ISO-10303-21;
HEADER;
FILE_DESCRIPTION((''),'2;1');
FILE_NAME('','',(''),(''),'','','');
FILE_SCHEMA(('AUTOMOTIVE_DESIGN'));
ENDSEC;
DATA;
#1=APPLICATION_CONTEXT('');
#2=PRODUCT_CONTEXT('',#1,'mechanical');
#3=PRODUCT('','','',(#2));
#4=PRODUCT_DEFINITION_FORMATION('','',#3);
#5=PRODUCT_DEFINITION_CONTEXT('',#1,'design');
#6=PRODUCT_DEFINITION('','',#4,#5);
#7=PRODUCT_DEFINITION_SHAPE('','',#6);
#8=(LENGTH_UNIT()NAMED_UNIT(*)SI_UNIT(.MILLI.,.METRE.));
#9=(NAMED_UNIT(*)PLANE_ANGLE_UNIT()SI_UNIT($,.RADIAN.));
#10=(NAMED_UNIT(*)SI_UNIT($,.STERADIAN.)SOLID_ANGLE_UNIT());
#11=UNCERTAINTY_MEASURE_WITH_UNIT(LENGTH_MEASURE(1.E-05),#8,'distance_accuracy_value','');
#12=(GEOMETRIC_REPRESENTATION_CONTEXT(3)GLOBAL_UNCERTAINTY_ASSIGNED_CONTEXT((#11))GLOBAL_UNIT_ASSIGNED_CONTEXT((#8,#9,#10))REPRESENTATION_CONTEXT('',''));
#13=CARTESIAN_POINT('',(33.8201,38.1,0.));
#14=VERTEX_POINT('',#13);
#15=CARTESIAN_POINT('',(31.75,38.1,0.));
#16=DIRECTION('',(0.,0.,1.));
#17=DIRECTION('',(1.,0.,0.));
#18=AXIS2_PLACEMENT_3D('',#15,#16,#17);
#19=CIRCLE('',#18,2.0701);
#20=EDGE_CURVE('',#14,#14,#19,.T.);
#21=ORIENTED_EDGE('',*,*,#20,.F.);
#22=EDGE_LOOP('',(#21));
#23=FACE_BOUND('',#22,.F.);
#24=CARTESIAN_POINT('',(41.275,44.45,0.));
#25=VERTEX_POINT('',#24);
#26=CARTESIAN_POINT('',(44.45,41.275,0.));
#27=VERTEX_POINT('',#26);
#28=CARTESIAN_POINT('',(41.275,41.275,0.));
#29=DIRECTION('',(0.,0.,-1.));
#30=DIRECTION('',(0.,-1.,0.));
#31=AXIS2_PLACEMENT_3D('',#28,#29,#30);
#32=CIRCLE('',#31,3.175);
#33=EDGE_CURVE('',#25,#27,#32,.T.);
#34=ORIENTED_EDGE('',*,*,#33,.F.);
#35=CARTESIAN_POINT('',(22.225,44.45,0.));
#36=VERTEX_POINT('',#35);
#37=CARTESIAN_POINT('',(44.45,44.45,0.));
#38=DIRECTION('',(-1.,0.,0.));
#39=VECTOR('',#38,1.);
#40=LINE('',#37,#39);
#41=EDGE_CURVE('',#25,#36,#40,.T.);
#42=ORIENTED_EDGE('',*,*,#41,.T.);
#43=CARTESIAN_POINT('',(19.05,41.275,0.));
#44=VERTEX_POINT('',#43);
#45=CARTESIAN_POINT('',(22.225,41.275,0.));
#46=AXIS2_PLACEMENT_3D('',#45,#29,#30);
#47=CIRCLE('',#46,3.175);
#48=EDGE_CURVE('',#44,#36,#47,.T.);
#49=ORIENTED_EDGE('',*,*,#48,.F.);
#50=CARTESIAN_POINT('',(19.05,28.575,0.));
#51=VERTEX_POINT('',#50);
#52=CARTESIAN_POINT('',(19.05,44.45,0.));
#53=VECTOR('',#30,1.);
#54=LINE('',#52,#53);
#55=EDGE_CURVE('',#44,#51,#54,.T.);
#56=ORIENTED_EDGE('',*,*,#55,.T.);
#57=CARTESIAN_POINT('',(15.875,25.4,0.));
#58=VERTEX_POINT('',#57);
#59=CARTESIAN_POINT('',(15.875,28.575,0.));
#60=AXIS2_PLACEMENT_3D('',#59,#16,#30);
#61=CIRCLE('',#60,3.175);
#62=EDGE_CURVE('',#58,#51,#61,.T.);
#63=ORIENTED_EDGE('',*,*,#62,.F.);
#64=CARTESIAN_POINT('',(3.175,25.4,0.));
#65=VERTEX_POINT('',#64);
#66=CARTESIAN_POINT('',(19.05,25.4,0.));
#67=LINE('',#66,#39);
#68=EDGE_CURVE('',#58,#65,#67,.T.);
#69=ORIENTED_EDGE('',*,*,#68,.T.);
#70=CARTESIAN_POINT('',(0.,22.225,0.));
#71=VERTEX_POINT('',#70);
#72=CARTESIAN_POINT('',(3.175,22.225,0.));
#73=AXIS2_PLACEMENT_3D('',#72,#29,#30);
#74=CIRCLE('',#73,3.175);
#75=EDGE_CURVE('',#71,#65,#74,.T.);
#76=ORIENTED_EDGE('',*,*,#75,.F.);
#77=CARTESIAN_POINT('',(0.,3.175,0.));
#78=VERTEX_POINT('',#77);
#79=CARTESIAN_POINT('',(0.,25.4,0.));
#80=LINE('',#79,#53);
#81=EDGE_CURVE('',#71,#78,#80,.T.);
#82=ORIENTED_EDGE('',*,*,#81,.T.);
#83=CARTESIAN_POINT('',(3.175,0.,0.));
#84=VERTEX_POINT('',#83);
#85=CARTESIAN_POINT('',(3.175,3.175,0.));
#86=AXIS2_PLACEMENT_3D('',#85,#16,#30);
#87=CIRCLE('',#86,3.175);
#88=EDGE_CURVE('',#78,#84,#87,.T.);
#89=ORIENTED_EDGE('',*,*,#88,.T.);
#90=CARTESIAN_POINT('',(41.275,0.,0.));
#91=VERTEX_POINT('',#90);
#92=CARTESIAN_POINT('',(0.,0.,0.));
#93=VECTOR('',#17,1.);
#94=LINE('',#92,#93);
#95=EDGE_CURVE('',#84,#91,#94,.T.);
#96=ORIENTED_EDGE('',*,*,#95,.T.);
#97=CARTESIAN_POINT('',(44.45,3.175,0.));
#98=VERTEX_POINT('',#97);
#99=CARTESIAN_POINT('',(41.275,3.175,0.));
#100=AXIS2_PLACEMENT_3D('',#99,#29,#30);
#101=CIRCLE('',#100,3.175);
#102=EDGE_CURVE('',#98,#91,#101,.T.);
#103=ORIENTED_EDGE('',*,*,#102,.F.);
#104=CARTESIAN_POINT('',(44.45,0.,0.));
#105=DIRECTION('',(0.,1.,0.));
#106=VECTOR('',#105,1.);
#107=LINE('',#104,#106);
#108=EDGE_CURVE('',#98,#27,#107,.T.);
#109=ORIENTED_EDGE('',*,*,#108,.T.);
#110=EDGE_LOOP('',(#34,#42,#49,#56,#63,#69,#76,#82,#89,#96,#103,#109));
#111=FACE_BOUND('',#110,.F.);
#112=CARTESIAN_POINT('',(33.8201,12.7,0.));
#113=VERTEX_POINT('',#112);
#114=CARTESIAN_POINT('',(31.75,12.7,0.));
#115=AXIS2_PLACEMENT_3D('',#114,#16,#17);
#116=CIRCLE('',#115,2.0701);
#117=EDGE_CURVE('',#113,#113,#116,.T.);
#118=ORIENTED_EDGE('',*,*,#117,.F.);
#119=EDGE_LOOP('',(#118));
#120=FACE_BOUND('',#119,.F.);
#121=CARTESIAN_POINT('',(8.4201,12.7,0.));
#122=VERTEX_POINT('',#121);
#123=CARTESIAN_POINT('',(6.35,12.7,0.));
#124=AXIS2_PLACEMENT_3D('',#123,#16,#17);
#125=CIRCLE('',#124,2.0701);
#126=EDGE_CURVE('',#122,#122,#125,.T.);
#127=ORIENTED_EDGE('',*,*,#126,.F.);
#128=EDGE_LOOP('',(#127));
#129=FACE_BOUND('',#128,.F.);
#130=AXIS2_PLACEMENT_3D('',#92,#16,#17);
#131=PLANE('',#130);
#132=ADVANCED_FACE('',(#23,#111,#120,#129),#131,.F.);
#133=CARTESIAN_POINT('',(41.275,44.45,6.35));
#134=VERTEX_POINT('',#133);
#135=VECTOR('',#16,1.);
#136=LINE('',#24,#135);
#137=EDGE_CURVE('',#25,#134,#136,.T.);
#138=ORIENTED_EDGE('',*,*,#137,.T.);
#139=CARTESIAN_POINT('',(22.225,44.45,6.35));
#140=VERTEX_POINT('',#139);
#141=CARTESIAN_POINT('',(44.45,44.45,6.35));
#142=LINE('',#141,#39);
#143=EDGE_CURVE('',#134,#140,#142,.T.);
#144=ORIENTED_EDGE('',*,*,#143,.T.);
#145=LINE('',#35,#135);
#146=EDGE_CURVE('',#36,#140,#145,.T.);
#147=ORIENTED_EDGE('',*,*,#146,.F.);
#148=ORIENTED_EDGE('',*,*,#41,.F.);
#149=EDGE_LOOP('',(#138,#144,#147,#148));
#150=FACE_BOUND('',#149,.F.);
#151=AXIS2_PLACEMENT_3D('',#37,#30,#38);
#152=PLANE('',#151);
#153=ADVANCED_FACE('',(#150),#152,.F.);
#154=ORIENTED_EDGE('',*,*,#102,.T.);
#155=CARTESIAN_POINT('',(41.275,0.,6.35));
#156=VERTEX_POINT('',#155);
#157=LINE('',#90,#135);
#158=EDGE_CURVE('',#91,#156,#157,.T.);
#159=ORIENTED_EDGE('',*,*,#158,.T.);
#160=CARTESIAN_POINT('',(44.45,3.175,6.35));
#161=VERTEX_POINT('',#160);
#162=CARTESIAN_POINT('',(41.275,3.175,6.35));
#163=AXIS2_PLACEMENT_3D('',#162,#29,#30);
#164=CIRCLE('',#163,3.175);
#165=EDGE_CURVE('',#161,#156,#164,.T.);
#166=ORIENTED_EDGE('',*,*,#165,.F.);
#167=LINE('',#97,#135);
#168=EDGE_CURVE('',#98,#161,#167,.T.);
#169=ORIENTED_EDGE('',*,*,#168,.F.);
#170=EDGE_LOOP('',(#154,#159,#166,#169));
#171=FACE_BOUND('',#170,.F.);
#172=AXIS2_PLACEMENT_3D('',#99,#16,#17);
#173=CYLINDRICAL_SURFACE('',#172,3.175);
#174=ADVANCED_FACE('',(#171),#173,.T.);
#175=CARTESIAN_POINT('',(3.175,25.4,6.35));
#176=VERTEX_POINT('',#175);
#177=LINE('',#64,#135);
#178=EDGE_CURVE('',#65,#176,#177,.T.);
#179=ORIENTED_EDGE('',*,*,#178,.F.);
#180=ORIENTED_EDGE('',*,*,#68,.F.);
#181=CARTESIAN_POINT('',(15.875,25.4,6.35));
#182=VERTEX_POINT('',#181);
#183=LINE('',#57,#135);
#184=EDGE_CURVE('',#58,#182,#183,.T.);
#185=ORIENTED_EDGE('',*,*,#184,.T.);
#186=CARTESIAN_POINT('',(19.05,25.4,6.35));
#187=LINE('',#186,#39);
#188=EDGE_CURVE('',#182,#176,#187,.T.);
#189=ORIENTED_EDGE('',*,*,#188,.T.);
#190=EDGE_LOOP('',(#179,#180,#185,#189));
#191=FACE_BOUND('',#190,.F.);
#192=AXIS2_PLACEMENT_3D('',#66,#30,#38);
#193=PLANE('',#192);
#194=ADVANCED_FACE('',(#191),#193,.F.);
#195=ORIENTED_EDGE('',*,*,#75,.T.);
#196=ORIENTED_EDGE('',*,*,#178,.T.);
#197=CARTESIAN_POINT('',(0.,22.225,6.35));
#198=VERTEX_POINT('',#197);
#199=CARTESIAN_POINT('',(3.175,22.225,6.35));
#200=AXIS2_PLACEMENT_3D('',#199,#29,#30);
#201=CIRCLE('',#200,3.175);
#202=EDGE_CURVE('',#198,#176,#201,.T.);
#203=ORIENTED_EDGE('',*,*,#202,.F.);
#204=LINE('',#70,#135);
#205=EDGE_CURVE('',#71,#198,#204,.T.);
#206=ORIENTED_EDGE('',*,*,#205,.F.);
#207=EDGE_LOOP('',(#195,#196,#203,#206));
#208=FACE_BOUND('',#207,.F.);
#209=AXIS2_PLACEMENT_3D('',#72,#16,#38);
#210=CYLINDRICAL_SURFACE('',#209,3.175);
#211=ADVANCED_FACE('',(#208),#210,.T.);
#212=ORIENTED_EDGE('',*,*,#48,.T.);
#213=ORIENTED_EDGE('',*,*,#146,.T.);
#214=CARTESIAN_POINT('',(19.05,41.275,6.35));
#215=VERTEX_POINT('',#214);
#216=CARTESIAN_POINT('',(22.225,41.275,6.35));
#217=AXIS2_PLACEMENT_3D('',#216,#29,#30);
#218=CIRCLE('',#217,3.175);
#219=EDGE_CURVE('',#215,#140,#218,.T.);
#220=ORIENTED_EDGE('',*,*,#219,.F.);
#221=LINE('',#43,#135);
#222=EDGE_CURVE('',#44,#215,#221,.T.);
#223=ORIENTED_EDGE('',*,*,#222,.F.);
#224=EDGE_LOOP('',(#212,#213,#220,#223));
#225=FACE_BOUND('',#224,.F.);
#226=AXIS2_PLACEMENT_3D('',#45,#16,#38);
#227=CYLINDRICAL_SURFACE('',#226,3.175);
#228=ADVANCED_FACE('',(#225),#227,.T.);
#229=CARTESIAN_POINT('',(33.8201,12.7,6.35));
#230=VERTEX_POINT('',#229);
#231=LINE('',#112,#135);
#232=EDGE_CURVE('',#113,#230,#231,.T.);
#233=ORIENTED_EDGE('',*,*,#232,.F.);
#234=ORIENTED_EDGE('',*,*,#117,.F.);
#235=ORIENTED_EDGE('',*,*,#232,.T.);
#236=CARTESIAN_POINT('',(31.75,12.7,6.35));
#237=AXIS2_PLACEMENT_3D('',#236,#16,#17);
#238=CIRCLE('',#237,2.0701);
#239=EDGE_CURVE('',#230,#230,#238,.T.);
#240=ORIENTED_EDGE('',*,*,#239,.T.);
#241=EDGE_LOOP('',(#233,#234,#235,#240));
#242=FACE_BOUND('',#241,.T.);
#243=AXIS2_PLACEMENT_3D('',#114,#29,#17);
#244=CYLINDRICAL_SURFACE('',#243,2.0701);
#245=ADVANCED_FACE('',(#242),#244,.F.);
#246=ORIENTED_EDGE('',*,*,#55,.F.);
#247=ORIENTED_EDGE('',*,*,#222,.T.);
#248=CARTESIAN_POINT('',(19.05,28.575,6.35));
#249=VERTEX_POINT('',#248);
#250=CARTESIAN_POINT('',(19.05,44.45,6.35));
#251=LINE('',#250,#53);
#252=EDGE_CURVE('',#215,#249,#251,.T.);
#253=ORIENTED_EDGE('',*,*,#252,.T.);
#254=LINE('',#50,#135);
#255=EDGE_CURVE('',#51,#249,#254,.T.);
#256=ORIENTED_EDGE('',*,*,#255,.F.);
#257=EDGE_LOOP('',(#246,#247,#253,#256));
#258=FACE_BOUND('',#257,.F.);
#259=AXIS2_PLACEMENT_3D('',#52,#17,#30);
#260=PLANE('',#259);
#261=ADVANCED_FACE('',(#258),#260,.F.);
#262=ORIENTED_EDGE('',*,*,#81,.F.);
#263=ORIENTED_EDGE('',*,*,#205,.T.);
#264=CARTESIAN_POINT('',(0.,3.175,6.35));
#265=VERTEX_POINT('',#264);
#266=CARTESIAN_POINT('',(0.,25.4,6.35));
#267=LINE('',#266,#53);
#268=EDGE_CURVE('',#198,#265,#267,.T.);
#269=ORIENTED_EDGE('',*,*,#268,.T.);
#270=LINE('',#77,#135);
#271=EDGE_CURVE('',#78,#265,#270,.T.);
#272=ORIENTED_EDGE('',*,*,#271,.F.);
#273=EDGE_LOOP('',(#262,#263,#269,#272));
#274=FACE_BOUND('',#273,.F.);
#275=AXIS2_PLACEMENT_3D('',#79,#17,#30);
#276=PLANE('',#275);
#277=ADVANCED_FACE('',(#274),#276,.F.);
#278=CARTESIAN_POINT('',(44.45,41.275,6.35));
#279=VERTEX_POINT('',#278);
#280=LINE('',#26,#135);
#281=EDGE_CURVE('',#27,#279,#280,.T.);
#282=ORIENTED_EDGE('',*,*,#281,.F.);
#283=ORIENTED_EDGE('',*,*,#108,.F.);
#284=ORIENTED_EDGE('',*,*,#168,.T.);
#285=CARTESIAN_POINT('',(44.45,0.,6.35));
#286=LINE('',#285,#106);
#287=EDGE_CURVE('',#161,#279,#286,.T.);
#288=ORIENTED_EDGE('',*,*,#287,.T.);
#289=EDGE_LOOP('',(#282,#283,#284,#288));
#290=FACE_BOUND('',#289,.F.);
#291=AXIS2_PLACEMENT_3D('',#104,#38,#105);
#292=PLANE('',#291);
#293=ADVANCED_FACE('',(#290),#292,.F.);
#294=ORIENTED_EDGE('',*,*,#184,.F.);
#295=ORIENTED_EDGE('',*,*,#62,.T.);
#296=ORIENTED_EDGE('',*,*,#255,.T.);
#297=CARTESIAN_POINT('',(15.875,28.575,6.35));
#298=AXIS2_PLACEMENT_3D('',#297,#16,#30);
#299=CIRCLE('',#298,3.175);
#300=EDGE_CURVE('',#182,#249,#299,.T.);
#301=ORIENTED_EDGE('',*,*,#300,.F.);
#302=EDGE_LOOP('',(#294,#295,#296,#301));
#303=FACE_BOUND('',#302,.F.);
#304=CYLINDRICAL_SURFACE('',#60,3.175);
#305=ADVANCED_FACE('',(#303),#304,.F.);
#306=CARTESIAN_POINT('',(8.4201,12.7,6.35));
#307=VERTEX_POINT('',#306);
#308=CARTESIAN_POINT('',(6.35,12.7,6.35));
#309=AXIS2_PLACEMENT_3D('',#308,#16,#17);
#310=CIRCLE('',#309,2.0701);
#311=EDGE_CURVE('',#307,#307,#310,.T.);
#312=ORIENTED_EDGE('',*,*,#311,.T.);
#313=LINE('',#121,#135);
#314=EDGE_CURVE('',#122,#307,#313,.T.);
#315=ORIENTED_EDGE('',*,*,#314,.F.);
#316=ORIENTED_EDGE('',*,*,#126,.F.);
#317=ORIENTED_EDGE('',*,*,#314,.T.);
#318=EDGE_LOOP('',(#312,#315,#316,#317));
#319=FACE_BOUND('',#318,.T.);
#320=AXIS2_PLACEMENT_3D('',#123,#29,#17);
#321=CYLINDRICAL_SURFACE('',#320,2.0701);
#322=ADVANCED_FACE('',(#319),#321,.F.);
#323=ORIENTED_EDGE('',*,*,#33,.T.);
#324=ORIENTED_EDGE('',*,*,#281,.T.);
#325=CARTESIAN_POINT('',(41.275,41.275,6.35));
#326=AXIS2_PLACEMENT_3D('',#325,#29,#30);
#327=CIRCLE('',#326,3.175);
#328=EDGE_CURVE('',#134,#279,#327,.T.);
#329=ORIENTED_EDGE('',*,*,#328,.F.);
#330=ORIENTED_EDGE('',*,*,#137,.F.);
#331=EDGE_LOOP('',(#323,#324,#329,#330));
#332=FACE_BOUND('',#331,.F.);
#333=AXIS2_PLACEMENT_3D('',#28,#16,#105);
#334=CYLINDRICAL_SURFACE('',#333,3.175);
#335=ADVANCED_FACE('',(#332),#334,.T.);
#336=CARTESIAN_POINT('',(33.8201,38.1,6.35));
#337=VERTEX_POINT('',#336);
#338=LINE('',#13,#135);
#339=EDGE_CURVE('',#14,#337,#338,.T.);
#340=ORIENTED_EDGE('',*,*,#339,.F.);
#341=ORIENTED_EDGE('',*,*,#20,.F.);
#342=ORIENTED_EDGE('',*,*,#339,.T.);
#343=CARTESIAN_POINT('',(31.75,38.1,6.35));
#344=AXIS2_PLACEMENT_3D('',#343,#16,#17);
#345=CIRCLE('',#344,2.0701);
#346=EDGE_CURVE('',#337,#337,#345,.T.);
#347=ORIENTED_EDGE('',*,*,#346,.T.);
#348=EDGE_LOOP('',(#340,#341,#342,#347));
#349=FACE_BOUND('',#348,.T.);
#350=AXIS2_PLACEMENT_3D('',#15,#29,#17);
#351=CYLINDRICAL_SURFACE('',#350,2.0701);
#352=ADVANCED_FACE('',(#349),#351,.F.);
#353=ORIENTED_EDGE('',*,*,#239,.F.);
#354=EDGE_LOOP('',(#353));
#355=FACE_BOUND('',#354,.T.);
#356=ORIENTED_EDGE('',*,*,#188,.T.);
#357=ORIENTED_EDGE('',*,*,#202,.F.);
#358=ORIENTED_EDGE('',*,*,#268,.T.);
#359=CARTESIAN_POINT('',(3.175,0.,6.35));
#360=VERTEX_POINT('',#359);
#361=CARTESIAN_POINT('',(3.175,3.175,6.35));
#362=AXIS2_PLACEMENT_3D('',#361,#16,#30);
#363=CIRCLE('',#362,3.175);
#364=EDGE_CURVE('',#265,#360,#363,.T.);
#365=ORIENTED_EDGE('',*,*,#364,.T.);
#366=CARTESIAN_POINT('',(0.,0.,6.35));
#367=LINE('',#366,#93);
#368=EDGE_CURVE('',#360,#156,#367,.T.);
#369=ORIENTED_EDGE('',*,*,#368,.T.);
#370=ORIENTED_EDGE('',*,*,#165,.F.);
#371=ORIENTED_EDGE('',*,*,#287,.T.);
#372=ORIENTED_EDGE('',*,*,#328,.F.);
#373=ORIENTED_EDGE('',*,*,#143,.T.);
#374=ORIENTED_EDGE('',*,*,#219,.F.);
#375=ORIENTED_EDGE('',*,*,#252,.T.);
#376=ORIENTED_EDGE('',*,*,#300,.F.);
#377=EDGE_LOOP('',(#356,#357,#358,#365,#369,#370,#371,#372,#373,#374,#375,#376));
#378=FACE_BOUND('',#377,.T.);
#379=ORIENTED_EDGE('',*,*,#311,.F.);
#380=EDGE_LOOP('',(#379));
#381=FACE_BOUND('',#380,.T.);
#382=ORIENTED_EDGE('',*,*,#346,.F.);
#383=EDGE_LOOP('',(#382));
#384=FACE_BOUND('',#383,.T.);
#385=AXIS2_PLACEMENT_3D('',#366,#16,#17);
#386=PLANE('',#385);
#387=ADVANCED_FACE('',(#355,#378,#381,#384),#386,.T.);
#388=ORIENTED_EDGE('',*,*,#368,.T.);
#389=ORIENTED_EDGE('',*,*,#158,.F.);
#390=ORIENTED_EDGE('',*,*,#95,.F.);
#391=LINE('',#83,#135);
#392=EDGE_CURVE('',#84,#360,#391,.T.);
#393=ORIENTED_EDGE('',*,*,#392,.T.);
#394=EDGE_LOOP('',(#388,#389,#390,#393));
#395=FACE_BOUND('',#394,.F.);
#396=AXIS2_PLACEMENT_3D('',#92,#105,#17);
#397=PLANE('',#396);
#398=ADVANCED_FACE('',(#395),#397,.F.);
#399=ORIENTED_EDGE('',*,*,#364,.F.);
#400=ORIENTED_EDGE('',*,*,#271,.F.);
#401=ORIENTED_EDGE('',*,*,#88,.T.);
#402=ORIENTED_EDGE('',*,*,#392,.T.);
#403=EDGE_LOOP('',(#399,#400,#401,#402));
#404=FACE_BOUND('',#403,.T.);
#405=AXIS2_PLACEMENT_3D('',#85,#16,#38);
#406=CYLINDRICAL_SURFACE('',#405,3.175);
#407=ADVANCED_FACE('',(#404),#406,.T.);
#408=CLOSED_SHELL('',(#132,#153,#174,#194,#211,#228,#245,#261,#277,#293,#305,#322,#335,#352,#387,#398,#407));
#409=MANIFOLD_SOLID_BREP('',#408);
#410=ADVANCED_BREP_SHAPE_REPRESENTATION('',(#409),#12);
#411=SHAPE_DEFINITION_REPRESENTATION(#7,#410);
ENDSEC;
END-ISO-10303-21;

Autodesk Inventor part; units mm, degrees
ref_plane "YZ Plane" through (0, 0, 0) normal (1, 0, 0) x (0, 1, 0)
ref_plane "XZ Plane" through (0, 0, 0) normal (0, 1, 0) x (-1, 0, 0)
ref_plane "XY Plane" through (0, 0, 0) normal (0, 0, 1) x (1, 0, 0)
sketch "Sketch1" plane through (0, 0, 0) normal (0, 0, 1) x (1, 0, 0)
  line L0 (0, 0) -> (44.45, 0)
  line L1 (44.45, 0) -> (44.45, 44.45)
  line L2 (44.45, 44.45) -> (19.05, 44.45)
  line L3 (19.05, 44.45) -> (19.05, 25.4)
  line L4 (19.05, 25.4) -> (0, 25.4)
  line L5 (0, 25.4) -> (0, 0)
  circle A0 centre (6.35, 12.7) radius 2.0701
  circle A1 centre (31.75, 12.7) radius 2.0701
  circle A2 centre (31.75, 38.1) radius 2.0701
  dimension "d0" = 44.45
  dimension "d1" = 25.4
  dimension "d2" = 4.1402
  dimension "d3" = 12.7
  dimension "d4" = 6.35
  dimension "d7" = 25.4
  dimension "d14" = 25.4
extrude "Extrusion1" add sketch "Sketch1" along normal blind 6.35
fillet "Fillet1" radius 3.175 6 edges at (19.05, 25.4, 3.175) (0, 25.4, 3.175) (0, 0, 3.175) (44.45, 0, 3.175) (44.45, 44.45, 3.175) (19.05, 44.45, 3.175)
properties part number "Spacer 2" material "ABS Plastic"
